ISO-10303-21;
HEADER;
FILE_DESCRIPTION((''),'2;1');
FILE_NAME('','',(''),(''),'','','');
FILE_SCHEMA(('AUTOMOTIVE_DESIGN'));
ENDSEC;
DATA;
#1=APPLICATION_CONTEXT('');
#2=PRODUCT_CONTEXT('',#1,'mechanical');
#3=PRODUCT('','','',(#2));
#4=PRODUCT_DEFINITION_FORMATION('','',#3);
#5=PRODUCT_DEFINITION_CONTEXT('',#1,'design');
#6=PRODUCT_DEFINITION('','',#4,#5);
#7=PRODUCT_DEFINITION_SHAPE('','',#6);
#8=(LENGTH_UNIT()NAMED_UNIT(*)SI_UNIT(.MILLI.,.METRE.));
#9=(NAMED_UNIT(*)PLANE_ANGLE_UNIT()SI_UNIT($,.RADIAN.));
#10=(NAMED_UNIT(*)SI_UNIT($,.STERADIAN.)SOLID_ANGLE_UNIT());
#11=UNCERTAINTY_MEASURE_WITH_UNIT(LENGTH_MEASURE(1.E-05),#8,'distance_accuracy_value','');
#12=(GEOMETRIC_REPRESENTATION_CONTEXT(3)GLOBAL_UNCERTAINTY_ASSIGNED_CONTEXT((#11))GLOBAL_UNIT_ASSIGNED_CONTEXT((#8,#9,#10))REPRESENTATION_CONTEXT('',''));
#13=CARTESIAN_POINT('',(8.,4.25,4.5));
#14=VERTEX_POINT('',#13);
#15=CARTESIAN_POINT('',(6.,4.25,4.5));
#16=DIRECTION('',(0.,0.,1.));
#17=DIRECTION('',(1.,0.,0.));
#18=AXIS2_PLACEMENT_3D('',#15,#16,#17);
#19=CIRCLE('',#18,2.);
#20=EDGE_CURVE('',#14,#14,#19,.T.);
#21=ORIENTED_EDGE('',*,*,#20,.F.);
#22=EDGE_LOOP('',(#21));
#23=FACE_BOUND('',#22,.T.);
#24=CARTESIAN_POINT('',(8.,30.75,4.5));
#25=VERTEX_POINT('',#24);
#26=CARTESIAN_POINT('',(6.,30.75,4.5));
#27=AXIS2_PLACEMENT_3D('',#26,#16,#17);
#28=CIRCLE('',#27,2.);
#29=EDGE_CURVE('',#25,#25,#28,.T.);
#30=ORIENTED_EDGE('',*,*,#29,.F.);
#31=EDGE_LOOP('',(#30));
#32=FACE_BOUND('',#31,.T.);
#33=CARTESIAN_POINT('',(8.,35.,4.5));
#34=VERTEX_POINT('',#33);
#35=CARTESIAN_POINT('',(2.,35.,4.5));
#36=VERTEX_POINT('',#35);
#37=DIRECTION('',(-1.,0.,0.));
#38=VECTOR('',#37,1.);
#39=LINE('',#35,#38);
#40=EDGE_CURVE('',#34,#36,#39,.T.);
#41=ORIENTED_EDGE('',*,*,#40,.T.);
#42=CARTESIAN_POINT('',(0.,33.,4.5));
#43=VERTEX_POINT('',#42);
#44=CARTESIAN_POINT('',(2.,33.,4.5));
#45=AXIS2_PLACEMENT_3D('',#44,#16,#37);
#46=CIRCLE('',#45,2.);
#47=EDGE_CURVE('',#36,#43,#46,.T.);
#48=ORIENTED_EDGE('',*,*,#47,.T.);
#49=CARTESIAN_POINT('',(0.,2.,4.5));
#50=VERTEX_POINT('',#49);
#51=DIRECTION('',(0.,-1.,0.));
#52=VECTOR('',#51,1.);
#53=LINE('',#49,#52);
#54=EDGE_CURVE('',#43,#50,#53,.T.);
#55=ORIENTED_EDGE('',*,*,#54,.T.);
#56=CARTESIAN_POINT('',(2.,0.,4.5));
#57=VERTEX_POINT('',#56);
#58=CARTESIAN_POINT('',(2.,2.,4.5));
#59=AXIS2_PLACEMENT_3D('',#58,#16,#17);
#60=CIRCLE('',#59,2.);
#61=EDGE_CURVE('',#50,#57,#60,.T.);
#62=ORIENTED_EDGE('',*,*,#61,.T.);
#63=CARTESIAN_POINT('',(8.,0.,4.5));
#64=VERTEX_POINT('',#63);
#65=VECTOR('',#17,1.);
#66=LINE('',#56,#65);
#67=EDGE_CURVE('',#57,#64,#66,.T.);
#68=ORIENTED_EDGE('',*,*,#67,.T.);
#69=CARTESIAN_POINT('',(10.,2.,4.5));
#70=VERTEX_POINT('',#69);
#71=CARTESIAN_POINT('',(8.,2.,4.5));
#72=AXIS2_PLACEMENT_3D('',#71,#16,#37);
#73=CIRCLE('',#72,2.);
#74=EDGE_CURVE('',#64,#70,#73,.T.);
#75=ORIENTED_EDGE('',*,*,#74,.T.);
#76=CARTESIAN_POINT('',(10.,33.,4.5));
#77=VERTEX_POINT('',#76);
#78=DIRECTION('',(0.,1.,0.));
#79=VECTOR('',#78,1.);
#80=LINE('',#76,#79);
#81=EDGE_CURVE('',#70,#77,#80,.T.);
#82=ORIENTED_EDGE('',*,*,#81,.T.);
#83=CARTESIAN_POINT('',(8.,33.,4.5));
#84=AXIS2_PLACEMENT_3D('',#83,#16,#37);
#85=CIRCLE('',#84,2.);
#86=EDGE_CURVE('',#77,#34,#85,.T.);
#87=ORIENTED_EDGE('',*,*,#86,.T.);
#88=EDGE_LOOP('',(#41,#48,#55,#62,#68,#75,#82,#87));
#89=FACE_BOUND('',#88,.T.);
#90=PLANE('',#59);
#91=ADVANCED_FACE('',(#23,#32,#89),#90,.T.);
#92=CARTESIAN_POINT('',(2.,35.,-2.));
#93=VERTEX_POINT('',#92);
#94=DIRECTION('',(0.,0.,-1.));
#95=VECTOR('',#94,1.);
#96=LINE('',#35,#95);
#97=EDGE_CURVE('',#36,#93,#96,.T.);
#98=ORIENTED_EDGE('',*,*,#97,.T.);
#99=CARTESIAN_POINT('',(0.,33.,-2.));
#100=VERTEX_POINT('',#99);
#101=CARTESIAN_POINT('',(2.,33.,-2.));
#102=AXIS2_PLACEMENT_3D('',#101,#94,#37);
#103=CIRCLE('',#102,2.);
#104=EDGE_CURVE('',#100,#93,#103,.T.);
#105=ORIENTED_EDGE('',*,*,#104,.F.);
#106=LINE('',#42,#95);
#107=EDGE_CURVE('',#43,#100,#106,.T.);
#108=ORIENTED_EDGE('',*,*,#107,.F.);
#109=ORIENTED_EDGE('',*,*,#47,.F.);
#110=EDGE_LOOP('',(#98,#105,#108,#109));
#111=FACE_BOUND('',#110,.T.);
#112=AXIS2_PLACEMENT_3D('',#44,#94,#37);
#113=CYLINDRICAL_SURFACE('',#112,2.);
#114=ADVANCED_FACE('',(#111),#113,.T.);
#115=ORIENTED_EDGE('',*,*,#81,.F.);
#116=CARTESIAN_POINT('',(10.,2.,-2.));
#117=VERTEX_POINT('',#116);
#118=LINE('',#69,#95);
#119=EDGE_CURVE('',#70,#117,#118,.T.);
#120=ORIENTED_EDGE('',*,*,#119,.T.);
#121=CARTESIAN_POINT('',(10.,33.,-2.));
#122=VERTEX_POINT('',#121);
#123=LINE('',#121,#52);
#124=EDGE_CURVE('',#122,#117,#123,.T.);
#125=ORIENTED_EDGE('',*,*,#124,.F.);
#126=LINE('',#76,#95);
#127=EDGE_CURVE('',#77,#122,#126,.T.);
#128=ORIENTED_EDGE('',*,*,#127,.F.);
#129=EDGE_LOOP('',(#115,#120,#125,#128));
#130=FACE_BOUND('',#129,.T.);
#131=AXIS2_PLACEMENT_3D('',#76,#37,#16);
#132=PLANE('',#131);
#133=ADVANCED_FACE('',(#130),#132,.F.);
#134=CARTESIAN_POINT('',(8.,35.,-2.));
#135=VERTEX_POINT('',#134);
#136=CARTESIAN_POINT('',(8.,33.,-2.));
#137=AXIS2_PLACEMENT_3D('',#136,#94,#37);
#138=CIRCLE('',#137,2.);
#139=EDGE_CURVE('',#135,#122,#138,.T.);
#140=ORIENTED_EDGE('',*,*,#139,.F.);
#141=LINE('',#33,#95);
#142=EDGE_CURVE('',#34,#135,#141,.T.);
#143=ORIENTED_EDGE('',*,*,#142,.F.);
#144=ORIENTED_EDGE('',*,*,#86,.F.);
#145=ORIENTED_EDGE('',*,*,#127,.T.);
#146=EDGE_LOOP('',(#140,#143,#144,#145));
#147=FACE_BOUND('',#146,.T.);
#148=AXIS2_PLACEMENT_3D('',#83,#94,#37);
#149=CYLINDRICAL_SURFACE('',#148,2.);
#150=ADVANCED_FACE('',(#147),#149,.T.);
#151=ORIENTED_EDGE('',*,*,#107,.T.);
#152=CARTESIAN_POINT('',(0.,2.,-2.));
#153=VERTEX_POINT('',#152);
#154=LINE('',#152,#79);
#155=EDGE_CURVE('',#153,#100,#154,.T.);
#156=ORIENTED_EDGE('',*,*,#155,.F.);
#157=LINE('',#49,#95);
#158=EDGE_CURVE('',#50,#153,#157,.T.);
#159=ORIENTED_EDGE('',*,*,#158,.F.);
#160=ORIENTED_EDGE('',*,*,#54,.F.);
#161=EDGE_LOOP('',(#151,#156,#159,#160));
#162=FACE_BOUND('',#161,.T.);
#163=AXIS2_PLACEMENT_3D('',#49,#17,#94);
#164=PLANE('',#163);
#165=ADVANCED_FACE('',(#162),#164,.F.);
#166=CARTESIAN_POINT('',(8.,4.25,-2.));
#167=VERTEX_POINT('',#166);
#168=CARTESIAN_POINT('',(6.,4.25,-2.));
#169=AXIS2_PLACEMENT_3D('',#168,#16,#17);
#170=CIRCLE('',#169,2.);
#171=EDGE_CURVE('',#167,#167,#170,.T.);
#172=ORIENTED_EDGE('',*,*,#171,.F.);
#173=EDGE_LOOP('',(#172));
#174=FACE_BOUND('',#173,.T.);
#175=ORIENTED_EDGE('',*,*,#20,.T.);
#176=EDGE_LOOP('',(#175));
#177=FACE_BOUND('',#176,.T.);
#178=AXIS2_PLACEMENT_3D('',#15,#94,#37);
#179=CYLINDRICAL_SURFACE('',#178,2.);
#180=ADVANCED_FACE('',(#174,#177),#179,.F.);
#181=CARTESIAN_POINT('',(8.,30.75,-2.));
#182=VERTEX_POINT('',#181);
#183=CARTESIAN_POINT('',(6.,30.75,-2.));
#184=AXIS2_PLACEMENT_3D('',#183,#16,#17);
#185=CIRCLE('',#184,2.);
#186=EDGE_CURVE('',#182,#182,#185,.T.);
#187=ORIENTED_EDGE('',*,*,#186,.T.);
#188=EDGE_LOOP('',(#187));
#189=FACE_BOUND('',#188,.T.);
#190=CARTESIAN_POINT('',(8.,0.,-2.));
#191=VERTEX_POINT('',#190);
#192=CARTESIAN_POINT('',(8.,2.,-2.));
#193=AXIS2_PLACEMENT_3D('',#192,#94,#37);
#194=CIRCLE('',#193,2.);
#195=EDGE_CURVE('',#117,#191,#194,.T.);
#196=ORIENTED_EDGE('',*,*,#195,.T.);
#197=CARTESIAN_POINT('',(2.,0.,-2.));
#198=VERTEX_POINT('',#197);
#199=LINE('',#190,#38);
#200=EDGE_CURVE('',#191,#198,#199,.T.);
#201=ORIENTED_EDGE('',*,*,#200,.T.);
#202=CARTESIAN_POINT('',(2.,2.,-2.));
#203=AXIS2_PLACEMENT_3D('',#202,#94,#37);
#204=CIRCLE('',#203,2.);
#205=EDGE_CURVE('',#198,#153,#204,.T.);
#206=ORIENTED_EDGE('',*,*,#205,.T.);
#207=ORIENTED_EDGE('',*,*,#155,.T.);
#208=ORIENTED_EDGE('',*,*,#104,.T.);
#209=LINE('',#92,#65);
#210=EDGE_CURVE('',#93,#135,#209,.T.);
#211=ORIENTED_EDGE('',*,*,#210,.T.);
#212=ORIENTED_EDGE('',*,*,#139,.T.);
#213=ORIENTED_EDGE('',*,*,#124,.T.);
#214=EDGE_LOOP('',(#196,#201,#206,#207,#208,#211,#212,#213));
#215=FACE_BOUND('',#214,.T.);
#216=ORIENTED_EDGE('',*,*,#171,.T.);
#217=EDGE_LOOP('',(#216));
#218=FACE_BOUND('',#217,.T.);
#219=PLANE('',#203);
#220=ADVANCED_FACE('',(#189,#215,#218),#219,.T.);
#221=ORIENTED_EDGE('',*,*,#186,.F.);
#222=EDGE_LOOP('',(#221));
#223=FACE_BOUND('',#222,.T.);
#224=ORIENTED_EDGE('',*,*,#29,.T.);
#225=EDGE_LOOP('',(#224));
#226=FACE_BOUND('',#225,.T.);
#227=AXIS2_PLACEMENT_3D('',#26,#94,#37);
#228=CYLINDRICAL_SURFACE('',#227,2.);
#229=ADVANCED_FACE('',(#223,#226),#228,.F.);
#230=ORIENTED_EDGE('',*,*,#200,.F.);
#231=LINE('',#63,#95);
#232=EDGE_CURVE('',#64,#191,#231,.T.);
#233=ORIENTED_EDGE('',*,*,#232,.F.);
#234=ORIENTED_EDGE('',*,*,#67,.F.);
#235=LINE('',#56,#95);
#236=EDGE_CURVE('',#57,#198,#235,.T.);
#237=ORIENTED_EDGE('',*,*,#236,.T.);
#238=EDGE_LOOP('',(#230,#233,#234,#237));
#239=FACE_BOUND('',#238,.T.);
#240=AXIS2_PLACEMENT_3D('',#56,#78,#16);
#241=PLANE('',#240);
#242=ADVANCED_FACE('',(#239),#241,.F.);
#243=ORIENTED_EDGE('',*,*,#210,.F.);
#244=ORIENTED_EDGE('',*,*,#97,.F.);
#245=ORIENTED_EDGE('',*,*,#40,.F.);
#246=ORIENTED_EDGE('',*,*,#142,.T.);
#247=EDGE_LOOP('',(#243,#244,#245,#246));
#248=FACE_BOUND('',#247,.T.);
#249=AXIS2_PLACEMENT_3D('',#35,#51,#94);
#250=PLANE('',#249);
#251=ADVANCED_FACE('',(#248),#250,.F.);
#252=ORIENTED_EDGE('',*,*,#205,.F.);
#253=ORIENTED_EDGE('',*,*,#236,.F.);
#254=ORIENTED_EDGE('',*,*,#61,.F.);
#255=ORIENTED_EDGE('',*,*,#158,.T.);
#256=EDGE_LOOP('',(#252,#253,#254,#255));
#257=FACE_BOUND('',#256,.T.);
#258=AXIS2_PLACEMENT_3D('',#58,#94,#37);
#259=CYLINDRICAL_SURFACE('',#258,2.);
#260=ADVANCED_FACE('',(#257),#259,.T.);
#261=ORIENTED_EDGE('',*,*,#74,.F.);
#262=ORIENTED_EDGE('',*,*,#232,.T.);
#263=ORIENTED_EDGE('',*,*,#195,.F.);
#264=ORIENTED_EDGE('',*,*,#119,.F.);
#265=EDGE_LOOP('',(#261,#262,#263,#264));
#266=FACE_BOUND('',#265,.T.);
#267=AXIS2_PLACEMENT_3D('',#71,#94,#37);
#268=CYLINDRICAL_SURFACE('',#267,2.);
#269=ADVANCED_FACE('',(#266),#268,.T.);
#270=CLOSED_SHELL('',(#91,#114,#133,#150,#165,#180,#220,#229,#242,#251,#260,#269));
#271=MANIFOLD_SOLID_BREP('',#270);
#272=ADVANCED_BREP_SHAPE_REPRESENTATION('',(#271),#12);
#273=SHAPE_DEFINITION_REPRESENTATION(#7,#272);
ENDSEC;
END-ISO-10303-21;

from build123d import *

# Parameters (mm, degrees)
ESBO_O2_R                = 2
RESSALTO_EXTRUS_O1_DEPTH = 4.5
RESSALTO_EXTRUS_O2_START = 2
RESSALTO_EXTRUS_O2_DEPTH = 2
ESBO_O4_R                = 2
CORTE_EXTRUS_O2_DEPTH    = 37.976343789


with BuildPart() as part:
    # Esboço2 → Ressalto-extrusão1 (new body)
    with BuildSketch(Plane.XY):
        with BuildLine():
            Line((0, 2), (0, 33))
            ThreePointArc((0, 33), (0.585786438, 34.414213562), (2, 35))
            Line((2, 35), (8, 35))
            ThreePointArc((8, 35), (9.414213562, 34.414213562), (10, 33))
            Line((10, 33), (10, 2))
            ThreePointArc((10, 2), (9.414213562, 0.585786438), (8, 0))
            Line((8, 0), (2, 0))
            ThreePointArc((2, 0), (0.585786438, 0.585786438), (0, 2))
        make_face()
        with Locations((6, 4.25)):
            Circle(ESBO_O2_R, mode=Mode.SUBTRACT)
        with Locations((6, 30.75)):
            Circle(ESBO_O2_R, mode=Mode.SUBTRACT)
    extrude(amount=RESSALTO_EXTRUS_O1_DEPTH)

    # Esboço3 → Ressalto-extrusão2 (add)
    with BuildSketch(Plane(origin=(0, 0, 0), x_dir=(-1, 0, 0), z_dir=(0, 0, -1)).offset(RESSALTO_EXTRUS_O2_START)):
        with BuildLine():
            Line((0, 2), (0, 33))
            ThreePointArc((0, 33), (-0.585786438, 34.414213562), (-2, 35))
            Line((-2, 35), (-8, 35))
            ThreePointArc((-8, 35), (-9.414213562, 34.414213562), (-10, 33))
            Line((-10, 33), (-10, 2))
            ThreePointArc((-10, 2), (-9.414213562, 0.585786438), (-8, 0))
            Line((-8, 0), (-2, 0))
            ThreePointArc((-2, 0), (-0.585786438, 0.585786438), (0, 2))
        make_face()
    extrude(amount=-RESSALTO_EXTRUS_O2_DEPTH)

    # Esboço4 → Corte-extrusão2 (cut, through all)
    with BuildSketch(Plane.XY.offset(4.5)):
        with Locations((6, 4.25)):
            Circle(ESBO_O4_R)
        with Locations((6, 30.75)):
            Circle(ESBO_O4_R)
    extrude(amount=-CORTE_EXTRUS_O2_DEPTH, mode=Mode.SUBTRACT)


solid = part.part
